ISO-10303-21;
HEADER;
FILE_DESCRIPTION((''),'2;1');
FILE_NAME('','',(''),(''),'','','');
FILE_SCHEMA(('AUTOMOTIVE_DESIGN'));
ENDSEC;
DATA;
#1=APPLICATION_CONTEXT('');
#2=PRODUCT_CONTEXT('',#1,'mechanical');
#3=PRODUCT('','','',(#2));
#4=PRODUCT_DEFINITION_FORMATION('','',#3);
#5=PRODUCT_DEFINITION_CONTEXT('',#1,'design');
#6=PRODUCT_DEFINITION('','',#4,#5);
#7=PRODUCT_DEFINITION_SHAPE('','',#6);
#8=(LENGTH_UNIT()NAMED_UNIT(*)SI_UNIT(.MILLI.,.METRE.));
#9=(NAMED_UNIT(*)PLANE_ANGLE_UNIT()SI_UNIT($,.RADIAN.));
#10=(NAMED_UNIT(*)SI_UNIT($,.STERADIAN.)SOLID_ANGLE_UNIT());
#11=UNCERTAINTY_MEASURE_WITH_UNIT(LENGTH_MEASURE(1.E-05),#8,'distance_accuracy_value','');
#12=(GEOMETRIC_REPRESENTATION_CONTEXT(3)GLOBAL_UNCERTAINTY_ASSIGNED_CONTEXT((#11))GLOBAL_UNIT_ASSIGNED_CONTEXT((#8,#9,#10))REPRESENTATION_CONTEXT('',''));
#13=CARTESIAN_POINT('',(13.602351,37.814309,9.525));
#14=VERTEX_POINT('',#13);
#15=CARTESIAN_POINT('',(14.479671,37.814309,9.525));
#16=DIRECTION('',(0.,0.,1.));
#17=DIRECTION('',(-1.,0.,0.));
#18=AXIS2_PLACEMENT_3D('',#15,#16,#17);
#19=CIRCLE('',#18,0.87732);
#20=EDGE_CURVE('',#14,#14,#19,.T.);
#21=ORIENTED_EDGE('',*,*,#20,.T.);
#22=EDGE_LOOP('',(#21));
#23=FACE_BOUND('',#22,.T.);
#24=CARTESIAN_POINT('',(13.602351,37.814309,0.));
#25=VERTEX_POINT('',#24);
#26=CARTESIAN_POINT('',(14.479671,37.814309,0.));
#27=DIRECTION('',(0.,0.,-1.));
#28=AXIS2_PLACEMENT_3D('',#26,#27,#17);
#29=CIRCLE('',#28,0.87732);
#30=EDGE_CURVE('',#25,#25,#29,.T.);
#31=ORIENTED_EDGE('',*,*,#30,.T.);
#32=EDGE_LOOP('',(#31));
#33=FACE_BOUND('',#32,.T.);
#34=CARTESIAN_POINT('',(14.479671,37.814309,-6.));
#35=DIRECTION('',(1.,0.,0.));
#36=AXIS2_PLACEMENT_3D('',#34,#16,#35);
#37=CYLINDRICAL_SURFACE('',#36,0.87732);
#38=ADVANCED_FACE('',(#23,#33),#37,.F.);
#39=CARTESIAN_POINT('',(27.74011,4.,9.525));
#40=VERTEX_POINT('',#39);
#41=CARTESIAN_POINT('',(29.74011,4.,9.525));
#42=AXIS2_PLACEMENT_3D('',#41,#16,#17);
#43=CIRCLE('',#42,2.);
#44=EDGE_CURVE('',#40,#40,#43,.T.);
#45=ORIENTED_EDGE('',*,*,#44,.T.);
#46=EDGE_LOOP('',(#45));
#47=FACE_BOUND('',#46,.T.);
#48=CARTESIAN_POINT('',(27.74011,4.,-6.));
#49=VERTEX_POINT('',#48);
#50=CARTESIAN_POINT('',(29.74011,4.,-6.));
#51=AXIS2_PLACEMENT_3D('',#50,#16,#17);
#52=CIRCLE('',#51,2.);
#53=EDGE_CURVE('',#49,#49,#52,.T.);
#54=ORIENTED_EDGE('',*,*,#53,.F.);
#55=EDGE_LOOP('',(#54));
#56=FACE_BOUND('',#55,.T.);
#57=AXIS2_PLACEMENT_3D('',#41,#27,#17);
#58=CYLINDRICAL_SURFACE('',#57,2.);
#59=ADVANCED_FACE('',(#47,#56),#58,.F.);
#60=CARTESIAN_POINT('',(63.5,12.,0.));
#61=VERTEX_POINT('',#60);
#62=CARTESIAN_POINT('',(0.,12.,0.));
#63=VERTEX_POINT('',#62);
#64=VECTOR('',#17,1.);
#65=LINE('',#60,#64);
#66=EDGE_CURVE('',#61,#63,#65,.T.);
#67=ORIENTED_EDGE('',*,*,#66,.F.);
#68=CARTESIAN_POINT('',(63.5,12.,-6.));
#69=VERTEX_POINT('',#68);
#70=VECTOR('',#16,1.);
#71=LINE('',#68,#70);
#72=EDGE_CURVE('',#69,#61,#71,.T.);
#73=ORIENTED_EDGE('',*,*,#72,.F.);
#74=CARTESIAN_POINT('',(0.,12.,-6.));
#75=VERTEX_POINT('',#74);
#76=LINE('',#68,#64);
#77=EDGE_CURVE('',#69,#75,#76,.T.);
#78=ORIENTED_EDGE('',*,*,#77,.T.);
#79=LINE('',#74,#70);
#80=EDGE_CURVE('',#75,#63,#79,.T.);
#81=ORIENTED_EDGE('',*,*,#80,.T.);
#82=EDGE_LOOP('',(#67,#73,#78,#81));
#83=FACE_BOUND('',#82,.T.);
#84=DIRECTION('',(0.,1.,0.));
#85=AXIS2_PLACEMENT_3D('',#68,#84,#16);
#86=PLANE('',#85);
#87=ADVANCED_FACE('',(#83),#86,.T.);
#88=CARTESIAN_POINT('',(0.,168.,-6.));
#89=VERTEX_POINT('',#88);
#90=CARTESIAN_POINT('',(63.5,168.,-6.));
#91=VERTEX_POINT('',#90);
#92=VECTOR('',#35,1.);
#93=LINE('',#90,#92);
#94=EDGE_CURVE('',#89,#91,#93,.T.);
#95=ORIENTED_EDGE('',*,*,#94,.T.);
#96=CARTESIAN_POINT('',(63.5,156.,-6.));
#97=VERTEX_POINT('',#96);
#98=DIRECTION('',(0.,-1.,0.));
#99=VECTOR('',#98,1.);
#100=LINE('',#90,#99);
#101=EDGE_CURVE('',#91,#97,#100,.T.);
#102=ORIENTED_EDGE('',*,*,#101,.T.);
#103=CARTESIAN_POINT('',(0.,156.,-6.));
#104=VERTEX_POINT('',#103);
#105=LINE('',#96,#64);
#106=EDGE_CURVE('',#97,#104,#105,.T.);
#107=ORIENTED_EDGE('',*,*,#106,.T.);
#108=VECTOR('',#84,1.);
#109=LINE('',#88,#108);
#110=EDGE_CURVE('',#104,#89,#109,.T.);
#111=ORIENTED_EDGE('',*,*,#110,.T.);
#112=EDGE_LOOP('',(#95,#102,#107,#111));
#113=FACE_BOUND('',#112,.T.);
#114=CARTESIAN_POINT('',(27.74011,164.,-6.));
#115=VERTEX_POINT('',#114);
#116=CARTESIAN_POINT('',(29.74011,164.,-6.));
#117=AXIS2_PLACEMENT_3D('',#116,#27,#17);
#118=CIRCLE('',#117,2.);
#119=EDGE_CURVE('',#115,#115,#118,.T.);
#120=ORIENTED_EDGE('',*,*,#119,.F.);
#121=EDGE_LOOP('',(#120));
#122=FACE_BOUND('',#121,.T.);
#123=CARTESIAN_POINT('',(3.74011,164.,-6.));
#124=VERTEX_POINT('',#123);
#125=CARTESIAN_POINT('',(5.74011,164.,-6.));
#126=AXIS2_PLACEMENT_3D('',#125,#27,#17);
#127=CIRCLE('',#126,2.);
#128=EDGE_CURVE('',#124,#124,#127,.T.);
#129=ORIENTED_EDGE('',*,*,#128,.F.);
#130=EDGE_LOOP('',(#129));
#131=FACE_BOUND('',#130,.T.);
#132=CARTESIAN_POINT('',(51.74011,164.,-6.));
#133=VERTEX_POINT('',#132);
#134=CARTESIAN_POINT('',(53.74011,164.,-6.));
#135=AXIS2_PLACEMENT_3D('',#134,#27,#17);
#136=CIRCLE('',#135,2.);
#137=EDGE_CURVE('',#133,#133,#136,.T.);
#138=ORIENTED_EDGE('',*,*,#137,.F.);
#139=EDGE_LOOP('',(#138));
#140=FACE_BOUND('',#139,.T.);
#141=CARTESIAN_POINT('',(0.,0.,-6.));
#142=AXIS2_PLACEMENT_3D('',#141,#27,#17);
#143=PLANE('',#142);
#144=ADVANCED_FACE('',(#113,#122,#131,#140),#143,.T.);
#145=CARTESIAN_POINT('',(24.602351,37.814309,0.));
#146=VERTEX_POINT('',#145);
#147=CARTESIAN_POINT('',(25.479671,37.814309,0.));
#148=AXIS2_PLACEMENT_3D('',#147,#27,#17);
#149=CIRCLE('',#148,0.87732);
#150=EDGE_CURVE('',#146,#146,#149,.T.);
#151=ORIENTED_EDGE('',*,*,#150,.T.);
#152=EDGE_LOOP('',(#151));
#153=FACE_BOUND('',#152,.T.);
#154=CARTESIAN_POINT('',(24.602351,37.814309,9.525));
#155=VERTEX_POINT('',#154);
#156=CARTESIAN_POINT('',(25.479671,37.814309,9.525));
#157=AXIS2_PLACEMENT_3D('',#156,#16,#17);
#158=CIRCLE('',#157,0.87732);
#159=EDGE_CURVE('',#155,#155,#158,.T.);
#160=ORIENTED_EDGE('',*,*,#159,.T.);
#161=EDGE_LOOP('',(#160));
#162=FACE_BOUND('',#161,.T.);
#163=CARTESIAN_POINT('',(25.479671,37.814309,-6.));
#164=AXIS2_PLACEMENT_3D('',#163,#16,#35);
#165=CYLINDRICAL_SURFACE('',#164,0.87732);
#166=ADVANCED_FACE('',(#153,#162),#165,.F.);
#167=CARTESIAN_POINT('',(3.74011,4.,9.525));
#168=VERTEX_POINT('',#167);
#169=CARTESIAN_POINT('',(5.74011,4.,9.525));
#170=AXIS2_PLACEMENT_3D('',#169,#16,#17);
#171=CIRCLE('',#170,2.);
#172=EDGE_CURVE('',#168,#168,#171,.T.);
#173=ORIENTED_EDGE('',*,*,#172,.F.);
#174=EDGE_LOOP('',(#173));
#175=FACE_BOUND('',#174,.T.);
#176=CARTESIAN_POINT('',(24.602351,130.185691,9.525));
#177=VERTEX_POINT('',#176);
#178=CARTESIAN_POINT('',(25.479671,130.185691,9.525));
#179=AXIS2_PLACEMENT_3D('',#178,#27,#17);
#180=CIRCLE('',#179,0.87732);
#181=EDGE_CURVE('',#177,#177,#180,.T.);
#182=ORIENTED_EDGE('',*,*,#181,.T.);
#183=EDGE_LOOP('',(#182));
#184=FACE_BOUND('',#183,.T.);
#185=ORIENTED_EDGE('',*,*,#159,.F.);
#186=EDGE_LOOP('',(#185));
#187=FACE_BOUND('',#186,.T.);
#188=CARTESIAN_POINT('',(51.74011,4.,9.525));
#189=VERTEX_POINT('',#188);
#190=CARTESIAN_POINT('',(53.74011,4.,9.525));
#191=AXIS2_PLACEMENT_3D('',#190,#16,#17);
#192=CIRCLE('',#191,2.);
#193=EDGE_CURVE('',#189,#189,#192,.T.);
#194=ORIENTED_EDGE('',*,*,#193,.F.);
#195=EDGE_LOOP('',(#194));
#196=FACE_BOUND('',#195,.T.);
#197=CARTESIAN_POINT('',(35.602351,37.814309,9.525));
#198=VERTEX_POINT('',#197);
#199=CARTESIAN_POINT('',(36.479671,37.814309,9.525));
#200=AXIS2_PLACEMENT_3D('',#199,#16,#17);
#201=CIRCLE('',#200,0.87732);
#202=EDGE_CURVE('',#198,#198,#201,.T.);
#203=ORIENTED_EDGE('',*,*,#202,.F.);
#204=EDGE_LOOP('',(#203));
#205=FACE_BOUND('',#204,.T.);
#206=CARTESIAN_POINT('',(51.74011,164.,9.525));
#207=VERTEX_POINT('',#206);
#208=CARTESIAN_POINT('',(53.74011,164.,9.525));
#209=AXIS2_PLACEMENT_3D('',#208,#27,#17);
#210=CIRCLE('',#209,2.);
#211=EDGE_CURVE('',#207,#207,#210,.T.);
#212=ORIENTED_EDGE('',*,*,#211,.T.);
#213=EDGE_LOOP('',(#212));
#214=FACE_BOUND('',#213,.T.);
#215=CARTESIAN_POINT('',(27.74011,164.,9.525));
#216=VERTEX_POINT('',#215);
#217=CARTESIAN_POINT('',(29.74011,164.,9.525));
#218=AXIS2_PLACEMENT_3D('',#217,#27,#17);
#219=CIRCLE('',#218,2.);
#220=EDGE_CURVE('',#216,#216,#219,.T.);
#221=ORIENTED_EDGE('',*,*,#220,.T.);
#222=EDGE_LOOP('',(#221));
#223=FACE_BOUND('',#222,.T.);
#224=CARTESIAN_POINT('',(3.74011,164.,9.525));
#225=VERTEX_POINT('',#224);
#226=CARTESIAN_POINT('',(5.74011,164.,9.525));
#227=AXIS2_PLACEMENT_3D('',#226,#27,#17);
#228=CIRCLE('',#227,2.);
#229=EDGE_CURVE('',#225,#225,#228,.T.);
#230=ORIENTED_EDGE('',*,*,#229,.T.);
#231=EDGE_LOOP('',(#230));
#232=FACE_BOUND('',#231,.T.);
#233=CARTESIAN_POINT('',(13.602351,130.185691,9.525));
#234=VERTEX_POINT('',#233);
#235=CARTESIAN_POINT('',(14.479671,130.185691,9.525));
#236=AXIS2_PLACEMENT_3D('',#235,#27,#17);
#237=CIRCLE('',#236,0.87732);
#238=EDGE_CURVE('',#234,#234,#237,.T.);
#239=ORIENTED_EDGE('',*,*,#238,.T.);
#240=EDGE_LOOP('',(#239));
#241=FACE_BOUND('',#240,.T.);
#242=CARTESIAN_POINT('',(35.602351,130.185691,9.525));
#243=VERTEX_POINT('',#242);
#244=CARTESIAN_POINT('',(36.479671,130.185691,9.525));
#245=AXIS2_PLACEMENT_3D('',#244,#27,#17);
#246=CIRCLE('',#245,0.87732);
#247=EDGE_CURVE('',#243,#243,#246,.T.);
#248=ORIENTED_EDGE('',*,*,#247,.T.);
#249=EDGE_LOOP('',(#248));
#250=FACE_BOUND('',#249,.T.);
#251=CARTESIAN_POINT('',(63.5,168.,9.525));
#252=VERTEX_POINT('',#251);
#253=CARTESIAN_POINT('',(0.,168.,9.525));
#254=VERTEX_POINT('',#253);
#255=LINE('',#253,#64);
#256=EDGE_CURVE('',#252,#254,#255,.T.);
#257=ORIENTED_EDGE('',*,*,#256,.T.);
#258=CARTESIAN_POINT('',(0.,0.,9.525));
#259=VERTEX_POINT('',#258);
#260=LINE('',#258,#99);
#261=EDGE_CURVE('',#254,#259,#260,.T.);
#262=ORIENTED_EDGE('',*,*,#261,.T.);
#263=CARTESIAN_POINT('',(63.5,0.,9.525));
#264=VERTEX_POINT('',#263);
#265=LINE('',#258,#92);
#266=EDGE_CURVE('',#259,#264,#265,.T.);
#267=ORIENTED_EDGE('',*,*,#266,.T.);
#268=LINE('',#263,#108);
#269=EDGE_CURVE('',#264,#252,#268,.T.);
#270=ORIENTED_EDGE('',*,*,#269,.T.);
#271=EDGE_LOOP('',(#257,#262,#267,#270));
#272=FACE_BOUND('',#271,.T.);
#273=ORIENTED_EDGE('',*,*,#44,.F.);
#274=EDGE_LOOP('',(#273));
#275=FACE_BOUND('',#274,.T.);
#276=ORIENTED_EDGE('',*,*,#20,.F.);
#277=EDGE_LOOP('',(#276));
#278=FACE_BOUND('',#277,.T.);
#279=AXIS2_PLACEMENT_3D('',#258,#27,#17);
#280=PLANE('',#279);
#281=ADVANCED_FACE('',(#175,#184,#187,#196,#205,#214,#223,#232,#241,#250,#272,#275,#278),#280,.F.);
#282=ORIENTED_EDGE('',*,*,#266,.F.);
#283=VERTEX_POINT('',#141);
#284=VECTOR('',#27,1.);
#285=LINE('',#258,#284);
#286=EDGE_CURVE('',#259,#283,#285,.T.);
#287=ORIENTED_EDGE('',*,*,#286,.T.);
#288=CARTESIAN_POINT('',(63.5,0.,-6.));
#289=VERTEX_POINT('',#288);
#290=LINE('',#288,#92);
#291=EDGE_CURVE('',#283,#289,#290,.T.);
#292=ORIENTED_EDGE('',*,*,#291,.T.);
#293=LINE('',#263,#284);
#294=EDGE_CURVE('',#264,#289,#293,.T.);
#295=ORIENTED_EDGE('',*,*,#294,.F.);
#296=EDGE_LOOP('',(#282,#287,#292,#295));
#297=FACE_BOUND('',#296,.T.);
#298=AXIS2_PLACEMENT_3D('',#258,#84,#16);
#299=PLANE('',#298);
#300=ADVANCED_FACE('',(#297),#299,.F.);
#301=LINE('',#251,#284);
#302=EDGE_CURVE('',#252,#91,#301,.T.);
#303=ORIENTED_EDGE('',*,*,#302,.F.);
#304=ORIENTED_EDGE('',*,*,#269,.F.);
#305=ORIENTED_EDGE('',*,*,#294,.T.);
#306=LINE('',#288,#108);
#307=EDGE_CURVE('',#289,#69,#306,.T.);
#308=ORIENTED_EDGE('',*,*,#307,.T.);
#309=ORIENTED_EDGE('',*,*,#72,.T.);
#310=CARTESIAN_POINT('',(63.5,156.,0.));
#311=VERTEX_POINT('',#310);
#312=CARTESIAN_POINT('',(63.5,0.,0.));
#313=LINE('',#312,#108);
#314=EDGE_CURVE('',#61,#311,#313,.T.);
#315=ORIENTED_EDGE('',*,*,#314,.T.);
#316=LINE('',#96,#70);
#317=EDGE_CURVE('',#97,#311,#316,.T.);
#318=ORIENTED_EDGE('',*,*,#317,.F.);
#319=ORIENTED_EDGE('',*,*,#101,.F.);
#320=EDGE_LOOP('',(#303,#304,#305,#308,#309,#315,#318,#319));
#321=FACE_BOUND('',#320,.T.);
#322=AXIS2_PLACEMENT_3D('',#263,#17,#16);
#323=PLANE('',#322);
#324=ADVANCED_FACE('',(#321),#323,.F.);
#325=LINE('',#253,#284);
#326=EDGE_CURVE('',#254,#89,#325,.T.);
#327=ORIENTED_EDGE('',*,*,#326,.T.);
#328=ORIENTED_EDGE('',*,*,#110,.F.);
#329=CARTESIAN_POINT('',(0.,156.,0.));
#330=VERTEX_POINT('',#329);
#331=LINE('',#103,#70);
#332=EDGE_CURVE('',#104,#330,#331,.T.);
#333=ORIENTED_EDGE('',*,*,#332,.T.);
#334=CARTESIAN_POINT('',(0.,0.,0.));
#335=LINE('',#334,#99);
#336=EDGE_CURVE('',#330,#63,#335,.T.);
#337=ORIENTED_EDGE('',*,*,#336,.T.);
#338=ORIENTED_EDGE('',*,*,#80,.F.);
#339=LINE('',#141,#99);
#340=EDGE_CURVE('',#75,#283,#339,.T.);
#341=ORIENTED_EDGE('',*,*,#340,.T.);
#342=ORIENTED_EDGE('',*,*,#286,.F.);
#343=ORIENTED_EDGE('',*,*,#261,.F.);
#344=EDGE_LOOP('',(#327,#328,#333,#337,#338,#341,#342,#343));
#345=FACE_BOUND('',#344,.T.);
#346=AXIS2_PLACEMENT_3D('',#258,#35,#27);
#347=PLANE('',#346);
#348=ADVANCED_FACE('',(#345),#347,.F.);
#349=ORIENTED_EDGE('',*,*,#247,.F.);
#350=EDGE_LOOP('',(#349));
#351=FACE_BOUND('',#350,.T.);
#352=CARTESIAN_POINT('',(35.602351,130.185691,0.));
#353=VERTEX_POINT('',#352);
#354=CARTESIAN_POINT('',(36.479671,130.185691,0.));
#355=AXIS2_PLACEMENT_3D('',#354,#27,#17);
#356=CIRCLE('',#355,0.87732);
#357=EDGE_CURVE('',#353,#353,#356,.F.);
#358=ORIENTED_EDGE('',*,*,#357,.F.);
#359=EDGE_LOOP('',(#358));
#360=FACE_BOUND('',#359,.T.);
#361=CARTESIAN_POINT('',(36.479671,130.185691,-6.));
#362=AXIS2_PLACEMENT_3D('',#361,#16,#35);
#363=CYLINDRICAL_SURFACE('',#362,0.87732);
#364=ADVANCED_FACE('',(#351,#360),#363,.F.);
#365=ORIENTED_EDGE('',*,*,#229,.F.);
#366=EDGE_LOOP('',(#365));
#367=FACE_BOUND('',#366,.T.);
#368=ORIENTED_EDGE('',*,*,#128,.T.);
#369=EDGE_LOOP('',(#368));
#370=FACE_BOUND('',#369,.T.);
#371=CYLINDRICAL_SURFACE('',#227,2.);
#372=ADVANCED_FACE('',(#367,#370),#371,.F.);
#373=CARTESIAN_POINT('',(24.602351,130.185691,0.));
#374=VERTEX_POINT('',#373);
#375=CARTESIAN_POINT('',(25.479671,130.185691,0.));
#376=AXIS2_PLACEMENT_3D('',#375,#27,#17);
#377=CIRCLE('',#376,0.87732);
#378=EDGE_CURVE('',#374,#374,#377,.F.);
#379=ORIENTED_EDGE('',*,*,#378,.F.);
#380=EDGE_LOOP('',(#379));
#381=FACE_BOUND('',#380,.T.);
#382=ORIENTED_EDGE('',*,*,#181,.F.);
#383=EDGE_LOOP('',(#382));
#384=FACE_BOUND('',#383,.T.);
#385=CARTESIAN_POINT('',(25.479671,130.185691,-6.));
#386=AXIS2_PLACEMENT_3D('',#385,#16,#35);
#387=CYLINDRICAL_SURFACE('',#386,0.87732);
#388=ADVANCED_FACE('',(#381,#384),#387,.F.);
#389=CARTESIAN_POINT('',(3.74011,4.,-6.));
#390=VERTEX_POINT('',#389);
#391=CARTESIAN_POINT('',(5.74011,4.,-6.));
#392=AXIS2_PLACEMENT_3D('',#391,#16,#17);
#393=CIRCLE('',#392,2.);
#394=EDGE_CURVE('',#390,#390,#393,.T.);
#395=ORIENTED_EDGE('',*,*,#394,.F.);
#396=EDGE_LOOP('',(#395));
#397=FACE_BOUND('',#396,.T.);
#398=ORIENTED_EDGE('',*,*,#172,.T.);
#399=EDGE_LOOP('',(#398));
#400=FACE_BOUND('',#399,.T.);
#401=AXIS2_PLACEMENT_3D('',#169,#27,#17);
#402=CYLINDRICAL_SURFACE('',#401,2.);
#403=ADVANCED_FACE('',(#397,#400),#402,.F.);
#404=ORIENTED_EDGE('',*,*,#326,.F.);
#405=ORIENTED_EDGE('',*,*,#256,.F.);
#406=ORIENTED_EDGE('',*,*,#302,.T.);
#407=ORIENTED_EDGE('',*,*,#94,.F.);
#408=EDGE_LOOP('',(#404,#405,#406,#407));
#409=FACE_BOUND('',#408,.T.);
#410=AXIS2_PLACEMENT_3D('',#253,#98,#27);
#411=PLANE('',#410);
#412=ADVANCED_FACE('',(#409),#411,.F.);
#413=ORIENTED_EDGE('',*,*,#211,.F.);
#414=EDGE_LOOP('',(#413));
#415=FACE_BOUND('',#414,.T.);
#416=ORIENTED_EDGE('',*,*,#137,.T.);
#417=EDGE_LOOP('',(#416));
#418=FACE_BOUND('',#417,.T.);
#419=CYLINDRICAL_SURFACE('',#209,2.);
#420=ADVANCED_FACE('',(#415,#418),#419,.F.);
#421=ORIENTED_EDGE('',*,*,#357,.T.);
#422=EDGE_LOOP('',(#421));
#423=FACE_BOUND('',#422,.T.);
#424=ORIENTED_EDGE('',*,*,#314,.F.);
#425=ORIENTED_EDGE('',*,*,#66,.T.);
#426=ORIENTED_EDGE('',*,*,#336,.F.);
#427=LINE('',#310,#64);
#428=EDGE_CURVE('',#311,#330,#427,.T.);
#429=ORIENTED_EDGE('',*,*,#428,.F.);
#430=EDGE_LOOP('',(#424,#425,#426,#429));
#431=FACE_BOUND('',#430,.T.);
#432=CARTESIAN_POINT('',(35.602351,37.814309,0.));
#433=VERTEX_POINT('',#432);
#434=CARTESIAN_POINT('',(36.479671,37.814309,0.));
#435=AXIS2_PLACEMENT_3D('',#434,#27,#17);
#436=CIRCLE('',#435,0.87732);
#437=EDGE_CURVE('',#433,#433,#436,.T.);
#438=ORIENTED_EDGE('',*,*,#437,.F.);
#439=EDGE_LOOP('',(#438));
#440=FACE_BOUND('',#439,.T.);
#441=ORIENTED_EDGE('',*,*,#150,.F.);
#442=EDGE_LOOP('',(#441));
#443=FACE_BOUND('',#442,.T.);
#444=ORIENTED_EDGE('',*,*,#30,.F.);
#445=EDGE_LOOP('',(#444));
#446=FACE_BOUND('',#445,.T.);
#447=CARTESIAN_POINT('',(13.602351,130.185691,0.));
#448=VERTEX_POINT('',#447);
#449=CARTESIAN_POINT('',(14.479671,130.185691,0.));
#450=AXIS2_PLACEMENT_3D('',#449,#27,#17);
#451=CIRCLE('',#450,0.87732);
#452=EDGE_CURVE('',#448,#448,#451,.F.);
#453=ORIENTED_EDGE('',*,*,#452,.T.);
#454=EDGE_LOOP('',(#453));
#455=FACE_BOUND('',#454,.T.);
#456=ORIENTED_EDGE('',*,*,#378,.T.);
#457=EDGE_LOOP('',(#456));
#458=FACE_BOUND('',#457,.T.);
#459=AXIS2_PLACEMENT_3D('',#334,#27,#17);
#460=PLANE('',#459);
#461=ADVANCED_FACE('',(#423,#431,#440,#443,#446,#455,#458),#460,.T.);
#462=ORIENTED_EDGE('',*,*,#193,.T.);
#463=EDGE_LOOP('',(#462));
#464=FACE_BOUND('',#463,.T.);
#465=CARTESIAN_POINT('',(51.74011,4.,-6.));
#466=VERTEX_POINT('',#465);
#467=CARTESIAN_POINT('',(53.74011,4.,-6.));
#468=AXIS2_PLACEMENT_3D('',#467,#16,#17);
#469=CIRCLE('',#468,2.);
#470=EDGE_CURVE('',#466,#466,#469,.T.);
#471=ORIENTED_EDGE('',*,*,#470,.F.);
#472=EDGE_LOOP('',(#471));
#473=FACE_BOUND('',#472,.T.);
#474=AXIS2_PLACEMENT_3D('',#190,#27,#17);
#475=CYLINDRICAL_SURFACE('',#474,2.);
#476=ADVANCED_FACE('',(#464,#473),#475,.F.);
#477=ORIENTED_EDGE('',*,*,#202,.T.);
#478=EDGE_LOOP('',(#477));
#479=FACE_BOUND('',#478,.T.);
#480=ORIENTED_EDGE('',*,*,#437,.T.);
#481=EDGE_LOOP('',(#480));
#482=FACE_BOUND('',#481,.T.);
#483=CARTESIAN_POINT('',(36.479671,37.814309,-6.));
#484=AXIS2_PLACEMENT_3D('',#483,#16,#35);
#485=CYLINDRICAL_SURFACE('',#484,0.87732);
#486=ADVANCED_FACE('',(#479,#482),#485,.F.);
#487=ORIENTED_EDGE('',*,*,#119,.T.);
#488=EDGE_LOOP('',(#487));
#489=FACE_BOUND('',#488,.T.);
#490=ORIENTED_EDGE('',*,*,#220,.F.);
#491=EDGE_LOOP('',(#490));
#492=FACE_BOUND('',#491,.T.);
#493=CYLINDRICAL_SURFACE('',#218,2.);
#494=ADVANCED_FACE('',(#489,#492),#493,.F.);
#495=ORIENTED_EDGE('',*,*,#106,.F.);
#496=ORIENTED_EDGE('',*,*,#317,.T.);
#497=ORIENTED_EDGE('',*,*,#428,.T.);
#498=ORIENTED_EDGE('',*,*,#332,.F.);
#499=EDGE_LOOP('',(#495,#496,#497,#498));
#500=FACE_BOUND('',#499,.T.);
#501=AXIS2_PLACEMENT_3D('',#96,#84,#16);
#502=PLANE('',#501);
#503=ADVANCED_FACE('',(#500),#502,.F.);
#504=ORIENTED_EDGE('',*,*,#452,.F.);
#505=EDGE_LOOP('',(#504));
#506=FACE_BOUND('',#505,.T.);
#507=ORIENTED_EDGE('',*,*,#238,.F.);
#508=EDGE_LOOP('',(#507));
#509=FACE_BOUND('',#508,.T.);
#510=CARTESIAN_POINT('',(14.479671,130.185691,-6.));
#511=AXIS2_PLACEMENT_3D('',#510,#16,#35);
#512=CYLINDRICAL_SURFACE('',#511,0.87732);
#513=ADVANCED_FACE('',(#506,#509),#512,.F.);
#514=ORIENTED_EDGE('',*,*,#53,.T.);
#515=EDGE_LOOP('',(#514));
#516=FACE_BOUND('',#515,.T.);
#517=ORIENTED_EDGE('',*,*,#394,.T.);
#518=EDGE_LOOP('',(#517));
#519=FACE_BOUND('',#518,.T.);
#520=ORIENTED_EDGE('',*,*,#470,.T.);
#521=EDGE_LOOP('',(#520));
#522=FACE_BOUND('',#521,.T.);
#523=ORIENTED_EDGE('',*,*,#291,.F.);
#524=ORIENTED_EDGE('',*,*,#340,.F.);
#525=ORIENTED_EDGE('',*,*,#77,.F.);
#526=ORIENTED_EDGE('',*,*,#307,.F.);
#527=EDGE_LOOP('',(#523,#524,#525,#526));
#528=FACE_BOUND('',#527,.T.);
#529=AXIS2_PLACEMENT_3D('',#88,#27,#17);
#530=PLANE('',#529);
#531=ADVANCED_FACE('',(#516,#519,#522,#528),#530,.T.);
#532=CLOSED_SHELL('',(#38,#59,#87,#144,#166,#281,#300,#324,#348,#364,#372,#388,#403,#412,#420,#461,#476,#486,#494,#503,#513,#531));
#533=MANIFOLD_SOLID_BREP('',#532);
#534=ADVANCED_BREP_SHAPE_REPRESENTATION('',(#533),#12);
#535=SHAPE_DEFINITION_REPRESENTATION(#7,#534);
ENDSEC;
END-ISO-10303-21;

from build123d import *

# Parameters (mm, degrees)
SKETCH1_W           = 63.5
SKETCH1_H           = 168
BOSS_EXTRUDE1_DEPTH = 9.525
SKETCH4_W           = 63.5
SKETCH4_H           = 12
BOSS_EXTRUDE2_DEPTH = 6
SKETCH6_R           = 2
CUT_EXTRUDE1_DEPTH  = 181.270007558
SKETCH8_R           = 0.877320143
CUT_EXTRUDE4_DEPTH  = 180.852649758


with BuildPart() as part:
    # Sketch1 → Boss-Extrude1 (new body)
    with BuildSketch(Plane.XY):
        with Locations((31.75, 84)):
            Rectangle(SKETCH1_W, SKETCH1_H)
    extrude(amount=BOSS_EXTRUDE1_DEPTH)

    # Sketch4 → Boss-Extrude2 (add)
    with BuildSketch(Plane(origin=(0, 0, 0), x_dir=(-1, 0, 0), z_dir=(0, 0, -1))):
        with Locations((-31.75, 162)):
            Rectangle(SKETCH4_W, SKETCH4_H)
    boss_extrude2 = extrude(amount=BOSS_EXTRUDE2_DEPTH)

    # Sketch6 → Cut-Extrude1 (cut, through all)
    with BuildSketch(Plane(origin=(0, 0, -6), x_dir=(-1, 0, 0), z_dir=(0, 0, -1))):
        with Locations((-5.74011002, 164)):
            Circle(SKETCH6_R)
        with Locations((-53.74011002, 164)):
            Circle(SKETCH6_R)
        with Locations((-29.74011002, 164)):
            Circle(SKETCH6_R)
    cut_extrude1 = extrude(amount=-CUT_EXTRUDE1_DEPTH, mode=Mode.SUBTRACT)

    # Mirror1: Boss-Extrude2, Cut-Extrude1 across plane
    add(boss_extrude2.mirror(Plane.ZX.offset(84)))
    add(cut_extrude1.mirror(Plane.ZX.offset(84)), mode=Mode.SUBTRACT)

    # Sketch8 → Cut-Extrude4 (cut, symmetric)
    with BuildSketch(Plane(origin=(0, 0, 0), x_dir=(-1, 0, 0), z_dir=(0, 0, -1))):
        with Locations((-14.479670844, 130.185691353)):
            Circle(SKETCH8_R)
        with Locations((-25.479670844, 130.185691353)):
            Circle(SKETCH8_R)
        with Locations((-36.479670844, 130.185691353)):
            Circle(SKETCH8_R)
    cut_extrude4 = extrude(amount=CUT_EXTRUDE4_DEPTH, both=True, mode=Mode.SUBTRACT)

    # Mirror2: Cut-Extrude4 across plane
    add(cut_extrude4.mirror(Plane.ZX.offset(84)), mode=Mode.SUBTRACT)


solid = part.part
